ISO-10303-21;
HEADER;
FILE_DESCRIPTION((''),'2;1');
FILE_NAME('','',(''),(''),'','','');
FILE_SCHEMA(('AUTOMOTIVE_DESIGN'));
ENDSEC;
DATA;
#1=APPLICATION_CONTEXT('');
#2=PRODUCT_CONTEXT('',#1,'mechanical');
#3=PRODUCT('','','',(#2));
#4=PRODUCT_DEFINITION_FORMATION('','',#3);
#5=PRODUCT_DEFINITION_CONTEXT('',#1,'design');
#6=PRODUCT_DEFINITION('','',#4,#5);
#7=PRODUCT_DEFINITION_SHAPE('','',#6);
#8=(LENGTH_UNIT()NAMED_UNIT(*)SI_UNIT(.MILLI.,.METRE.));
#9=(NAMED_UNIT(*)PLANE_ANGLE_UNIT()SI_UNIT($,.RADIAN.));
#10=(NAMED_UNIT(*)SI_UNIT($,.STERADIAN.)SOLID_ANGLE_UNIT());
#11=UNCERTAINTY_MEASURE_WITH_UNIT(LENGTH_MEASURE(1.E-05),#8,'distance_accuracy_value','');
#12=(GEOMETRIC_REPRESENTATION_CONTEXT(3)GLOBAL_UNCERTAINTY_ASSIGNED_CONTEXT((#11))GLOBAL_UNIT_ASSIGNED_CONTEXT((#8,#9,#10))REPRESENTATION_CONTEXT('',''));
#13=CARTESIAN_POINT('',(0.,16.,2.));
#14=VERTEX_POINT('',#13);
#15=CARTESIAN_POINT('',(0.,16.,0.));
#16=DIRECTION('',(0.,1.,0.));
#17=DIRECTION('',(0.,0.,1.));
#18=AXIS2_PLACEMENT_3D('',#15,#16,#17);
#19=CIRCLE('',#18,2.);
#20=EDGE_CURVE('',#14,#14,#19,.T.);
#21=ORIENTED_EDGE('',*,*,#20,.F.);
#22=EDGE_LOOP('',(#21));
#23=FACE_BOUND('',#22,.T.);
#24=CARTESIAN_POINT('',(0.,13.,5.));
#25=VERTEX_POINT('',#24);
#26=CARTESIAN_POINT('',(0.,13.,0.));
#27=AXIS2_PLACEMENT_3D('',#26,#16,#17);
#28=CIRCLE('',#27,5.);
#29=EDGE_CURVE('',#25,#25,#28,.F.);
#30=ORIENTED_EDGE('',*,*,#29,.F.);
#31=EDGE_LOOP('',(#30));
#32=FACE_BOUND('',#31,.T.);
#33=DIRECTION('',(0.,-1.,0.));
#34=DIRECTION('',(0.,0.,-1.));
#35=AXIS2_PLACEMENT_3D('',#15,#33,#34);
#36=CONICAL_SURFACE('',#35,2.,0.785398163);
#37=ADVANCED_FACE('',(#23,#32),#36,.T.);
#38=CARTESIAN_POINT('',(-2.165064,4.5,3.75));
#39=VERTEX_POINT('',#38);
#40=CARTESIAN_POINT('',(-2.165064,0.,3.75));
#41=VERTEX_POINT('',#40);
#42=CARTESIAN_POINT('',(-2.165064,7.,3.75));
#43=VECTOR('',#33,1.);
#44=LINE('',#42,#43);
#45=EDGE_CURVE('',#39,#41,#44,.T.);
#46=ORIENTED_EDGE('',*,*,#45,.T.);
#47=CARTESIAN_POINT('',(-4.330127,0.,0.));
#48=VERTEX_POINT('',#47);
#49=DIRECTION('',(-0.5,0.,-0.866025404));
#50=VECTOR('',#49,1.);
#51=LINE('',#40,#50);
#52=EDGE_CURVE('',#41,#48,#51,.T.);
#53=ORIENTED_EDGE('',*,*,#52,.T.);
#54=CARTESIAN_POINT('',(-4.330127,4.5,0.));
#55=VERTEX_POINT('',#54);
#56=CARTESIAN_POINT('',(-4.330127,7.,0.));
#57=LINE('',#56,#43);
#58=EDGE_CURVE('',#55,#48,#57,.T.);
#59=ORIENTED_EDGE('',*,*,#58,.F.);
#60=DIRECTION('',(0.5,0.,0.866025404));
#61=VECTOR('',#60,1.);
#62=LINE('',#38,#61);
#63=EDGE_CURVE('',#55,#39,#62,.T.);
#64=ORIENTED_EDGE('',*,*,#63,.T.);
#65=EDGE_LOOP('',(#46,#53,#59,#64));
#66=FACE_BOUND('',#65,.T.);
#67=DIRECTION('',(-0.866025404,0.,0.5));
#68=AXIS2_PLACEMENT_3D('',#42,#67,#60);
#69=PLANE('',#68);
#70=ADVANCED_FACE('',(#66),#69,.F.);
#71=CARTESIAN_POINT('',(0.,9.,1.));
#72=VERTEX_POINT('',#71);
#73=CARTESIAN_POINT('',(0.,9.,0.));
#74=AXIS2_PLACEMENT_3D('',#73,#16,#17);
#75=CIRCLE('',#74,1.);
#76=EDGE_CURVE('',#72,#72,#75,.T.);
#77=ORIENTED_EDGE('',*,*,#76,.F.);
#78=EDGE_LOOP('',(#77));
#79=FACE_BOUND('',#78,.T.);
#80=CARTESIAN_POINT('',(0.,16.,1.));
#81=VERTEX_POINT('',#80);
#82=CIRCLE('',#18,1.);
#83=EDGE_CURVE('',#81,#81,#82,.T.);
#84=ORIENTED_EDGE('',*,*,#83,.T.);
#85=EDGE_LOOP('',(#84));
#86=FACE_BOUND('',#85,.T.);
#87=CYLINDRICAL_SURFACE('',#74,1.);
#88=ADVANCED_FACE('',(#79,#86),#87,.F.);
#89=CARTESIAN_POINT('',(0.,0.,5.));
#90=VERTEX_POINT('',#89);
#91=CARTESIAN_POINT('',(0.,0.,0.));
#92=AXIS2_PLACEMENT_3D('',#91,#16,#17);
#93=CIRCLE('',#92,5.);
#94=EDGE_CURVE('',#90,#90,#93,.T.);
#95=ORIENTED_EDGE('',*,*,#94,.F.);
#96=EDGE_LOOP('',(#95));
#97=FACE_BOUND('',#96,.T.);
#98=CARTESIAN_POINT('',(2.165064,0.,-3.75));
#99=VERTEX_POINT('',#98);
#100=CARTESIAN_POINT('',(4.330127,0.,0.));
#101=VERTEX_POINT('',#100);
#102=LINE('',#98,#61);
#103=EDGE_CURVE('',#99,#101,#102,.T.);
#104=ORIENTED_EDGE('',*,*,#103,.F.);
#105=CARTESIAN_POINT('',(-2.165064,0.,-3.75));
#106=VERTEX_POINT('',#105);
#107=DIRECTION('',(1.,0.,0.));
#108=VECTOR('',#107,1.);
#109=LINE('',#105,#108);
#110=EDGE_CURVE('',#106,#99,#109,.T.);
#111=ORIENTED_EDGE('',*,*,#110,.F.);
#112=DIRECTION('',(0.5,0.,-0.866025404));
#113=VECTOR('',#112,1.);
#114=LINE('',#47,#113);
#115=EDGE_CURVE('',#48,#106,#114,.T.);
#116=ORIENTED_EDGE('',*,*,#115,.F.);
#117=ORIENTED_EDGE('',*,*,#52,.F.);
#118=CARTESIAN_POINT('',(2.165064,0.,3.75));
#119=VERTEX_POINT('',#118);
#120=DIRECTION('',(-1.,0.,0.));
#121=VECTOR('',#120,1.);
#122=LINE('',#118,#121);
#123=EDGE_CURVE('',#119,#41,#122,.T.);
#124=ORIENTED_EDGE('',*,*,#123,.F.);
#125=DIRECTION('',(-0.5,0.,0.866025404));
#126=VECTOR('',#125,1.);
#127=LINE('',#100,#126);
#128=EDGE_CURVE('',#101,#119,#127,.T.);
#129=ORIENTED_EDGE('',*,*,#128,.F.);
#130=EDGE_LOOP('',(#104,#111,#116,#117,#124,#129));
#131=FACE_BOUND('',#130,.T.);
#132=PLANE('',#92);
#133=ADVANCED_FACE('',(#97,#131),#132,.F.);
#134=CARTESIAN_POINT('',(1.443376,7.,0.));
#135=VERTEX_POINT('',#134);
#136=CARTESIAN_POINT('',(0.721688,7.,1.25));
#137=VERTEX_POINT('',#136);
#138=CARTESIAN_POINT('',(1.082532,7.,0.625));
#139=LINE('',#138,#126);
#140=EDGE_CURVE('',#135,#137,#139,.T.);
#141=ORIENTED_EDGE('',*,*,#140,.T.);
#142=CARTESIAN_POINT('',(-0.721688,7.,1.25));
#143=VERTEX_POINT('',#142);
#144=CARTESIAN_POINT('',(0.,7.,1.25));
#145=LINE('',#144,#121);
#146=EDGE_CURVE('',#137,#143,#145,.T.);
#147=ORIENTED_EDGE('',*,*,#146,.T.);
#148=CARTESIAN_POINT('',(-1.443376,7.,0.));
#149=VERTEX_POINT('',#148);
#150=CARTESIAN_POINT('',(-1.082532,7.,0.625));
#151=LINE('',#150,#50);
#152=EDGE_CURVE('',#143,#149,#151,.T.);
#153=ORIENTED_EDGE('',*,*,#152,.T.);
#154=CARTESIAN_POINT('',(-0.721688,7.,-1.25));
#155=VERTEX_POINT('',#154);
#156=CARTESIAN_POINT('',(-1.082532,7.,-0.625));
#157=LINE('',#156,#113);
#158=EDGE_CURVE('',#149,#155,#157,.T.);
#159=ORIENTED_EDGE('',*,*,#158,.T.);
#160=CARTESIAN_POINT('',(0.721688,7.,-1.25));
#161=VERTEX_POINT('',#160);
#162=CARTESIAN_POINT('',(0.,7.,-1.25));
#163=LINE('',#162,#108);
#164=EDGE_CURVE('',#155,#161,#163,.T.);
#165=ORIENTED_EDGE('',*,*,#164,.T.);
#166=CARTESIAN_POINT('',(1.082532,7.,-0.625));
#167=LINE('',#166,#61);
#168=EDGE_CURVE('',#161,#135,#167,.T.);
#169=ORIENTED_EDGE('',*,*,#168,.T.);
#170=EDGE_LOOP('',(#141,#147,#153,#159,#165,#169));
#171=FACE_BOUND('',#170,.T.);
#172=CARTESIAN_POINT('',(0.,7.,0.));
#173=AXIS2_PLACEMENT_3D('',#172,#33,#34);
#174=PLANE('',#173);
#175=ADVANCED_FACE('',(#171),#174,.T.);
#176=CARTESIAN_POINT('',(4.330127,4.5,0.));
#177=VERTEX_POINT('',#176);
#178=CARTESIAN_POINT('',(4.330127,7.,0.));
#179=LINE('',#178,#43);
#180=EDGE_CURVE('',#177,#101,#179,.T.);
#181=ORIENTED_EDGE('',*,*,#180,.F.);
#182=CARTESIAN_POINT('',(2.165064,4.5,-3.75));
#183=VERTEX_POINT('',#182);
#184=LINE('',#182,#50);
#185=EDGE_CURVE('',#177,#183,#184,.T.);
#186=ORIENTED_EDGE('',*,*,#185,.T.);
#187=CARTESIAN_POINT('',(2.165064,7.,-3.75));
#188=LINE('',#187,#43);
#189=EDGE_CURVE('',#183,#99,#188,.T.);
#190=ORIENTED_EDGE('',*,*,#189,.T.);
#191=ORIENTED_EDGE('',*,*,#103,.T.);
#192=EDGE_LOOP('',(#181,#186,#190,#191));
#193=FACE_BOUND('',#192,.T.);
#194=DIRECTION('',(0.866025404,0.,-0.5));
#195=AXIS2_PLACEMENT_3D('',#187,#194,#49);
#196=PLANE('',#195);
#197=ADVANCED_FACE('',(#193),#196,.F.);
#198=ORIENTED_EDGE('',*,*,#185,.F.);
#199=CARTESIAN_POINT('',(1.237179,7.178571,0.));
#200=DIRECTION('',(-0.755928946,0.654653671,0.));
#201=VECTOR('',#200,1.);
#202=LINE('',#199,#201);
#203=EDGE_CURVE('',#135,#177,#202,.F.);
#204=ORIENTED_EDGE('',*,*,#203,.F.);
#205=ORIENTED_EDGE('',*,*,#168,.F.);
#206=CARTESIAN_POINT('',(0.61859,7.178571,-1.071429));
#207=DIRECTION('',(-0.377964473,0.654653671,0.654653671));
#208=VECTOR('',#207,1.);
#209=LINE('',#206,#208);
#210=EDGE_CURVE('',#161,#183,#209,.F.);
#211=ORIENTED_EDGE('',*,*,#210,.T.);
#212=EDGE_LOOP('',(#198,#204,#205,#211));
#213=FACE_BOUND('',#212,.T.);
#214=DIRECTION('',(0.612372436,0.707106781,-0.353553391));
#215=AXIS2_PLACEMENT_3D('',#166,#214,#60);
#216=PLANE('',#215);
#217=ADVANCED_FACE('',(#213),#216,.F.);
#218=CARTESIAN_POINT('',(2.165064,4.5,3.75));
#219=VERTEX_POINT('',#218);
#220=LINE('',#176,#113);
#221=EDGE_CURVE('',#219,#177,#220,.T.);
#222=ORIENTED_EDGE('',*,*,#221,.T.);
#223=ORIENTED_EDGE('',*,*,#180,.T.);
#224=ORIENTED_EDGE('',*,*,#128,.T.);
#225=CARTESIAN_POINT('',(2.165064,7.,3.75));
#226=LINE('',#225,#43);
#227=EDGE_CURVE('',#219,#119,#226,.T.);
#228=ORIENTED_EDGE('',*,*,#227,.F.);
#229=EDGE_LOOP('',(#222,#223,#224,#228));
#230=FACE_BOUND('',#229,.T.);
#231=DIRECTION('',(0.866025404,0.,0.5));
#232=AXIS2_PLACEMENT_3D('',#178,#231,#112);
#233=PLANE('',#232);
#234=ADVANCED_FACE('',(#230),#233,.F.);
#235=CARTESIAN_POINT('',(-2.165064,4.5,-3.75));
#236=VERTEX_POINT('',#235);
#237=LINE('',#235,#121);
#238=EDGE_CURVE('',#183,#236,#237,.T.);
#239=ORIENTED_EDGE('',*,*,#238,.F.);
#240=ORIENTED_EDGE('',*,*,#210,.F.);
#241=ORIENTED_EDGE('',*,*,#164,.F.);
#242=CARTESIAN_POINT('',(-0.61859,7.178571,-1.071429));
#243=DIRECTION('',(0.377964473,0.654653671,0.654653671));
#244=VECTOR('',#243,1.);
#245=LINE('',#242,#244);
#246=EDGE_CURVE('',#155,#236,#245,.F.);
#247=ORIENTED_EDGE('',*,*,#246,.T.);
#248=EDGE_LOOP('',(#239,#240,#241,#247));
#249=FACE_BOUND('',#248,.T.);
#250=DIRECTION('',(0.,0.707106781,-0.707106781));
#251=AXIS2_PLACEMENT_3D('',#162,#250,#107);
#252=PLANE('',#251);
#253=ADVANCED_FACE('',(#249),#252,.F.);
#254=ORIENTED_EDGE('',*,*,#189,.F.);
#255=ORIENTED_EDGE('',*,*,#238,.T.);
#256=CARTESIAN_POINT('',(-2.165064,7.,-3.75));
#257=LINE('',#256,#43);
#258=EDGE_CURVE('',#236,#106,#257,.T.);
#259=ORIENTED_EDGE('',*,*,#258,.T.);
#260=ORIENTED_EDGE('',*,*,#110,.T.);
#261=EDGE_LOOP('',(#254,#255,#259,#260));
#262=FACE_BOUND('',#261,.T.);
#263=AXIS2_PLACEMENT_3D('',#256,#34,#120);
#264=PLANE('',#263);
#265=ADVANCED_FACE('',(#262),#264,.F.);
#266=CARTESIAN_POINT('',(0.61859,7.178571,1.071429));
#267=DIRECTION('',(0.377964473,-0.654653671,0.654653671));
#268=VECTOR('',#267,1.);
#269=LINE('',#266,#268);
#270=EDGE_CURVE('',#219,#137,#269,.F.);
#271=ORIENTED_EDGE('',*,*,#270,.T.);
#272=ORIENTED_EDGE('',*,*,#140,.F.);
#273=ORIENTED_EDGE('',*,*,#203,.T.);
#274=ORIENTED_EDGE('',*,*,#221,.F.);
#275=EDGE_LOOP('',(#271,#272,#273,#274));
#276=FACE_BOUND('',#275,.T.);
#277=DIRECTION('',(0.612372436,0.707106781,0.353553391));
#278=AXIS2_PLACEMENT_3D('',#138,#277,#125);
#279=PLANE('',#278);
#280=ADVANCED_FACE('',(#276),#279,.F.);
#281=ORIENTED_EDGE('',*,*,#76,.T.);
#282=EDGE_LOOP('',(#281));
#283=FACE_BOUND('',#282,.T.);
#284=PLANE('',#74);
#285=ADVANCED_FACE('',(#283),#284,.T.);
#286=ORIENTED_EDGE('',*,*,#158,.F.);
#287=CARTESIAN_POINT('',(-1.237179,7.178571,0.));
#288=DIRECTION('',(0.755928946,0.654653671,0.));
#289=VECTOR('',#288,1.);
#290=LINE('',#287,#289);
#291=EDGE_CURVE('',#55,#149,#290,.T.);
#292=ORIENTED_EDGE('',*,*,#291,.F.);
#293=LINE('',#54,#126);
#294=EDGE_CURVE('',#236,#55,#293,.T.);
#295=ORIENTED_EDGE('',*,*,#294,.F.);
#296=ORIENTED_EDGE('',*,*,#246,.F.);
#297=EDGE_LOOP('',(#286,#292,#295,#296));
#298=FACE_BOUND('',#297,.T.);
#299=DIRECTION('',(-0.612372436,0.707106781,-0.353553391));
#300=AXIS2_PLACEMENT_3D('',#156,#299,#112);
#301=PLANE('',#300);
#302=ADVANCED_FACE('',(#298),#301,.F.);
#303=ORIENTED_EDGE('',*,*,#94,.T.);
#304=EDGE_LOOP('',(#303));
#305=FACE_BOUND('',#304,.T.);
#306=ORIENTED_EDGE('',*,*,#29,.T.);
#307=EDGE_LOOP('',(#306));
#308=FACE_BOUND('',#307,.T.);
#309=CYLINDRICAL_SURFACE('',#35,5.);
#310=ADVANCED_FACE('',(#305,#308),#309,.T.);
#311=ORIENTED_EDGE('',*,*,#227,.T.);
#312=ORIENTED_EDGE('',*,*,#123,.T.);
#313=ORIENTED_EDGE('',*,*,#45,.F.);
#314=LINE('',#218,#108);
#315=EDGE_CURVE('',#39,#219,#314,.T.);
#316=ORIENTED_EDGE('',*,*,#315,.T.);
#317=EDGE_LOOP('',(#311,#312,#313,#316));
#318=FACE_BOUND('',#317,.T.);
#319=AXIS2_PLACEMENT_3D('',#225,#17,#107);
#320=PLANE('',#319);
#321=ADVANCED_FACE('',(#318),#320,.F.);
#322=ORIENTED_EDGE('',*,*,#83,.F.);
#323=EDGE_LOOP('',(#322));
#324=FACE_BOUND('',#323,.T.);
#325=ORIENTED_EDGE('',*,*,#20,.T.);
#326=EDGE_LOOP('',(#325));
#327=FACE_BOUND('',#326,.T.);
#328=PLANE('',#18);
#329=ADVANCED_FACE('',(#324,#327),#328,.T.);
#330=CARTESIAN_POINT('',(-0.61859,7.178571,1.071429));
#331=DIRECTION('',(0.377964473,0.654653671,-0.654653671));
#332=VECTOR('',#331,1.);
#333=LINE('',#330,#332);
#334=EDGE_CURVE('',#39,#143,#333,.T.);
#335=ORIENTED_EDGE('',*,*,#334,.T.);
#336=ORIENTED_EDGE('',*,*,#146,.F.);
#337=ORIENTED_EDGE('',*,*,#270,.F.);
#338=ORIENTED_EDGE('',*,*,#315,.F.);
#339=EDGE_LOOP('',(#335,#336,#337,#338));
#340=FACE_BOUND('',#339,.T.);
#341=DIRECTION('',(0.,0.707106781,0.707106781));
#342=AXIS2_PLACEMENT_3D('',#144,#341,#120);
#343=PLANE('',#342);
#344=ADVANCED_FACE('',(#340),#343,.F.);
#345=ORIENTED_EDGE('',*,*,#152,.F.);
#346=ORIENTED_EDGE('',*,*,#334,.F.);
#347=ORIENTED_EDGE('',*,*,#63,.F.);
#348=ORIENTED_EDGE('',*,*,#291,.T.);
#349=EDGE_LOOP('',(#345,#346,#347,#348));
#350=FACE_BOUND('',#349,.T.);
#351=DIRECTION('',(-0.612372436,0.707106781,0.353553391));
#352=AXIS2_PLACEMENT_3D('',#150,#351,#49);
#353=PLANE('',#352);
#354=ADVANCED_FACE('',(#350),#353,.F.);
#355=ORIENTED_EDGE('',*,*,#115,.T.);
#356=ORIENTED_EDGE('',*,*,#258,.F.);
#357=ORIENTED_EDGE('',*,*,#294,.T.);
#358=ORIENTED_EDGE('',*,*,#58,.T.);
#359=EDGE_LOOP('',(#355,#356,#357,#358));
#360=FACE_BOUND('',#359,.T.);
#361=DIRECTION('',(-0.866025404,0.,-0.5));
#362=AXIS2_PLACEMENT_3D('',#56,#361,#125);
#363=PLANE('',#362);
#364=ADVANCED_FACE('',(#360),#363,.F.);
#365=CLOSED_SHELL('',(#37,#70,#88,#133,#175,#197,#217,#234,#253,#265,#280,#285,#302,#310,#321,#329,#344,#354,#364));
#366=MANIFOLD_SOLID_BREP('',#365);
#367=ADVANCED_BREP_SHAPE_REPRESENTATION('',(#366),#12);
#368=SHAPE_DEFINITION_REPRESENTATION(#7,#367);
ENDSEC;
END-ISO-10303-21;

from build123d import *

# Parameters (mm, degrees)
SKETCH1_R           = 5
BOSS_EXTRUDE1_DEPTH = 16
CHAMFER1_SIZE       = 3
SKETCH2_R           = 1
CUT_EXTRUDE1_DEPTH  = 7
CUT_EXTRUDE2_DEPTH  = 7
CHAMFER2_SIZE       = 2.5


with BuildPart() as part:
    # Sketch1 → Boss-Extrude1 (new body)
    with BuildSketch(Plane(origin=(0, 0, 0), x_dir=(1, 0, 0), z_dir=(0, 1, 0))):
        Circle(SKETCH1_R)
    extrude(amount=BOSS_EXTRUDE1_DEPTH)

    # Chamfer1
    chamfer1_edges = [part.edges().sort_by_distance(p)[0] for p in [
        (-5, 16, 0),
    ]]
    chamfer(chamfer1_edges, length=CHAMFER1_SIZE)

    # Sketch2 → Cut-Extrude1 (cut)
    with BuildSketch(Plane(origin=(0, 16, 0), x_dir=(1, 0, 0), z_dir=(0, 1, 0))):
        Circle(SKETCH2_R)
    extrude(amount=-CUT_EXTRUDE1_DEPTH, mode=Mode.SUBTRACT)

    # Sketch3 → Cut-Extrude2 (cut)
    with BuildSketch(Plane.XZ):
        Polygon((-2.165063509, 3.75), (-4.330127019, 0), (-2.165063509, -3.75), (2.165063509, -3.75), (4.330127019, 0), (2.165063509, 3.75), align=None)
    extrude(amount=-CUT_EXTRUDE2_DEPTH, mode=Mode.SUBTRACT)

    # Chamfer2
    chamfer2_edges = [part.edges().sort_by_distance(p)[0] for p in [
        (0, 7, 3.75),
        (3.247595264, 7, 1.875),
        (3.247595264, 7, -1.875),
        (0, 7, -3.75),
        (-3.247595264, 7, -1.875),
        (-3.247595264, 7, 1.875),
    ]]
    chamfer(chamfer2_edges, length=CHAMFER2_SIZE)


solid = part.part
